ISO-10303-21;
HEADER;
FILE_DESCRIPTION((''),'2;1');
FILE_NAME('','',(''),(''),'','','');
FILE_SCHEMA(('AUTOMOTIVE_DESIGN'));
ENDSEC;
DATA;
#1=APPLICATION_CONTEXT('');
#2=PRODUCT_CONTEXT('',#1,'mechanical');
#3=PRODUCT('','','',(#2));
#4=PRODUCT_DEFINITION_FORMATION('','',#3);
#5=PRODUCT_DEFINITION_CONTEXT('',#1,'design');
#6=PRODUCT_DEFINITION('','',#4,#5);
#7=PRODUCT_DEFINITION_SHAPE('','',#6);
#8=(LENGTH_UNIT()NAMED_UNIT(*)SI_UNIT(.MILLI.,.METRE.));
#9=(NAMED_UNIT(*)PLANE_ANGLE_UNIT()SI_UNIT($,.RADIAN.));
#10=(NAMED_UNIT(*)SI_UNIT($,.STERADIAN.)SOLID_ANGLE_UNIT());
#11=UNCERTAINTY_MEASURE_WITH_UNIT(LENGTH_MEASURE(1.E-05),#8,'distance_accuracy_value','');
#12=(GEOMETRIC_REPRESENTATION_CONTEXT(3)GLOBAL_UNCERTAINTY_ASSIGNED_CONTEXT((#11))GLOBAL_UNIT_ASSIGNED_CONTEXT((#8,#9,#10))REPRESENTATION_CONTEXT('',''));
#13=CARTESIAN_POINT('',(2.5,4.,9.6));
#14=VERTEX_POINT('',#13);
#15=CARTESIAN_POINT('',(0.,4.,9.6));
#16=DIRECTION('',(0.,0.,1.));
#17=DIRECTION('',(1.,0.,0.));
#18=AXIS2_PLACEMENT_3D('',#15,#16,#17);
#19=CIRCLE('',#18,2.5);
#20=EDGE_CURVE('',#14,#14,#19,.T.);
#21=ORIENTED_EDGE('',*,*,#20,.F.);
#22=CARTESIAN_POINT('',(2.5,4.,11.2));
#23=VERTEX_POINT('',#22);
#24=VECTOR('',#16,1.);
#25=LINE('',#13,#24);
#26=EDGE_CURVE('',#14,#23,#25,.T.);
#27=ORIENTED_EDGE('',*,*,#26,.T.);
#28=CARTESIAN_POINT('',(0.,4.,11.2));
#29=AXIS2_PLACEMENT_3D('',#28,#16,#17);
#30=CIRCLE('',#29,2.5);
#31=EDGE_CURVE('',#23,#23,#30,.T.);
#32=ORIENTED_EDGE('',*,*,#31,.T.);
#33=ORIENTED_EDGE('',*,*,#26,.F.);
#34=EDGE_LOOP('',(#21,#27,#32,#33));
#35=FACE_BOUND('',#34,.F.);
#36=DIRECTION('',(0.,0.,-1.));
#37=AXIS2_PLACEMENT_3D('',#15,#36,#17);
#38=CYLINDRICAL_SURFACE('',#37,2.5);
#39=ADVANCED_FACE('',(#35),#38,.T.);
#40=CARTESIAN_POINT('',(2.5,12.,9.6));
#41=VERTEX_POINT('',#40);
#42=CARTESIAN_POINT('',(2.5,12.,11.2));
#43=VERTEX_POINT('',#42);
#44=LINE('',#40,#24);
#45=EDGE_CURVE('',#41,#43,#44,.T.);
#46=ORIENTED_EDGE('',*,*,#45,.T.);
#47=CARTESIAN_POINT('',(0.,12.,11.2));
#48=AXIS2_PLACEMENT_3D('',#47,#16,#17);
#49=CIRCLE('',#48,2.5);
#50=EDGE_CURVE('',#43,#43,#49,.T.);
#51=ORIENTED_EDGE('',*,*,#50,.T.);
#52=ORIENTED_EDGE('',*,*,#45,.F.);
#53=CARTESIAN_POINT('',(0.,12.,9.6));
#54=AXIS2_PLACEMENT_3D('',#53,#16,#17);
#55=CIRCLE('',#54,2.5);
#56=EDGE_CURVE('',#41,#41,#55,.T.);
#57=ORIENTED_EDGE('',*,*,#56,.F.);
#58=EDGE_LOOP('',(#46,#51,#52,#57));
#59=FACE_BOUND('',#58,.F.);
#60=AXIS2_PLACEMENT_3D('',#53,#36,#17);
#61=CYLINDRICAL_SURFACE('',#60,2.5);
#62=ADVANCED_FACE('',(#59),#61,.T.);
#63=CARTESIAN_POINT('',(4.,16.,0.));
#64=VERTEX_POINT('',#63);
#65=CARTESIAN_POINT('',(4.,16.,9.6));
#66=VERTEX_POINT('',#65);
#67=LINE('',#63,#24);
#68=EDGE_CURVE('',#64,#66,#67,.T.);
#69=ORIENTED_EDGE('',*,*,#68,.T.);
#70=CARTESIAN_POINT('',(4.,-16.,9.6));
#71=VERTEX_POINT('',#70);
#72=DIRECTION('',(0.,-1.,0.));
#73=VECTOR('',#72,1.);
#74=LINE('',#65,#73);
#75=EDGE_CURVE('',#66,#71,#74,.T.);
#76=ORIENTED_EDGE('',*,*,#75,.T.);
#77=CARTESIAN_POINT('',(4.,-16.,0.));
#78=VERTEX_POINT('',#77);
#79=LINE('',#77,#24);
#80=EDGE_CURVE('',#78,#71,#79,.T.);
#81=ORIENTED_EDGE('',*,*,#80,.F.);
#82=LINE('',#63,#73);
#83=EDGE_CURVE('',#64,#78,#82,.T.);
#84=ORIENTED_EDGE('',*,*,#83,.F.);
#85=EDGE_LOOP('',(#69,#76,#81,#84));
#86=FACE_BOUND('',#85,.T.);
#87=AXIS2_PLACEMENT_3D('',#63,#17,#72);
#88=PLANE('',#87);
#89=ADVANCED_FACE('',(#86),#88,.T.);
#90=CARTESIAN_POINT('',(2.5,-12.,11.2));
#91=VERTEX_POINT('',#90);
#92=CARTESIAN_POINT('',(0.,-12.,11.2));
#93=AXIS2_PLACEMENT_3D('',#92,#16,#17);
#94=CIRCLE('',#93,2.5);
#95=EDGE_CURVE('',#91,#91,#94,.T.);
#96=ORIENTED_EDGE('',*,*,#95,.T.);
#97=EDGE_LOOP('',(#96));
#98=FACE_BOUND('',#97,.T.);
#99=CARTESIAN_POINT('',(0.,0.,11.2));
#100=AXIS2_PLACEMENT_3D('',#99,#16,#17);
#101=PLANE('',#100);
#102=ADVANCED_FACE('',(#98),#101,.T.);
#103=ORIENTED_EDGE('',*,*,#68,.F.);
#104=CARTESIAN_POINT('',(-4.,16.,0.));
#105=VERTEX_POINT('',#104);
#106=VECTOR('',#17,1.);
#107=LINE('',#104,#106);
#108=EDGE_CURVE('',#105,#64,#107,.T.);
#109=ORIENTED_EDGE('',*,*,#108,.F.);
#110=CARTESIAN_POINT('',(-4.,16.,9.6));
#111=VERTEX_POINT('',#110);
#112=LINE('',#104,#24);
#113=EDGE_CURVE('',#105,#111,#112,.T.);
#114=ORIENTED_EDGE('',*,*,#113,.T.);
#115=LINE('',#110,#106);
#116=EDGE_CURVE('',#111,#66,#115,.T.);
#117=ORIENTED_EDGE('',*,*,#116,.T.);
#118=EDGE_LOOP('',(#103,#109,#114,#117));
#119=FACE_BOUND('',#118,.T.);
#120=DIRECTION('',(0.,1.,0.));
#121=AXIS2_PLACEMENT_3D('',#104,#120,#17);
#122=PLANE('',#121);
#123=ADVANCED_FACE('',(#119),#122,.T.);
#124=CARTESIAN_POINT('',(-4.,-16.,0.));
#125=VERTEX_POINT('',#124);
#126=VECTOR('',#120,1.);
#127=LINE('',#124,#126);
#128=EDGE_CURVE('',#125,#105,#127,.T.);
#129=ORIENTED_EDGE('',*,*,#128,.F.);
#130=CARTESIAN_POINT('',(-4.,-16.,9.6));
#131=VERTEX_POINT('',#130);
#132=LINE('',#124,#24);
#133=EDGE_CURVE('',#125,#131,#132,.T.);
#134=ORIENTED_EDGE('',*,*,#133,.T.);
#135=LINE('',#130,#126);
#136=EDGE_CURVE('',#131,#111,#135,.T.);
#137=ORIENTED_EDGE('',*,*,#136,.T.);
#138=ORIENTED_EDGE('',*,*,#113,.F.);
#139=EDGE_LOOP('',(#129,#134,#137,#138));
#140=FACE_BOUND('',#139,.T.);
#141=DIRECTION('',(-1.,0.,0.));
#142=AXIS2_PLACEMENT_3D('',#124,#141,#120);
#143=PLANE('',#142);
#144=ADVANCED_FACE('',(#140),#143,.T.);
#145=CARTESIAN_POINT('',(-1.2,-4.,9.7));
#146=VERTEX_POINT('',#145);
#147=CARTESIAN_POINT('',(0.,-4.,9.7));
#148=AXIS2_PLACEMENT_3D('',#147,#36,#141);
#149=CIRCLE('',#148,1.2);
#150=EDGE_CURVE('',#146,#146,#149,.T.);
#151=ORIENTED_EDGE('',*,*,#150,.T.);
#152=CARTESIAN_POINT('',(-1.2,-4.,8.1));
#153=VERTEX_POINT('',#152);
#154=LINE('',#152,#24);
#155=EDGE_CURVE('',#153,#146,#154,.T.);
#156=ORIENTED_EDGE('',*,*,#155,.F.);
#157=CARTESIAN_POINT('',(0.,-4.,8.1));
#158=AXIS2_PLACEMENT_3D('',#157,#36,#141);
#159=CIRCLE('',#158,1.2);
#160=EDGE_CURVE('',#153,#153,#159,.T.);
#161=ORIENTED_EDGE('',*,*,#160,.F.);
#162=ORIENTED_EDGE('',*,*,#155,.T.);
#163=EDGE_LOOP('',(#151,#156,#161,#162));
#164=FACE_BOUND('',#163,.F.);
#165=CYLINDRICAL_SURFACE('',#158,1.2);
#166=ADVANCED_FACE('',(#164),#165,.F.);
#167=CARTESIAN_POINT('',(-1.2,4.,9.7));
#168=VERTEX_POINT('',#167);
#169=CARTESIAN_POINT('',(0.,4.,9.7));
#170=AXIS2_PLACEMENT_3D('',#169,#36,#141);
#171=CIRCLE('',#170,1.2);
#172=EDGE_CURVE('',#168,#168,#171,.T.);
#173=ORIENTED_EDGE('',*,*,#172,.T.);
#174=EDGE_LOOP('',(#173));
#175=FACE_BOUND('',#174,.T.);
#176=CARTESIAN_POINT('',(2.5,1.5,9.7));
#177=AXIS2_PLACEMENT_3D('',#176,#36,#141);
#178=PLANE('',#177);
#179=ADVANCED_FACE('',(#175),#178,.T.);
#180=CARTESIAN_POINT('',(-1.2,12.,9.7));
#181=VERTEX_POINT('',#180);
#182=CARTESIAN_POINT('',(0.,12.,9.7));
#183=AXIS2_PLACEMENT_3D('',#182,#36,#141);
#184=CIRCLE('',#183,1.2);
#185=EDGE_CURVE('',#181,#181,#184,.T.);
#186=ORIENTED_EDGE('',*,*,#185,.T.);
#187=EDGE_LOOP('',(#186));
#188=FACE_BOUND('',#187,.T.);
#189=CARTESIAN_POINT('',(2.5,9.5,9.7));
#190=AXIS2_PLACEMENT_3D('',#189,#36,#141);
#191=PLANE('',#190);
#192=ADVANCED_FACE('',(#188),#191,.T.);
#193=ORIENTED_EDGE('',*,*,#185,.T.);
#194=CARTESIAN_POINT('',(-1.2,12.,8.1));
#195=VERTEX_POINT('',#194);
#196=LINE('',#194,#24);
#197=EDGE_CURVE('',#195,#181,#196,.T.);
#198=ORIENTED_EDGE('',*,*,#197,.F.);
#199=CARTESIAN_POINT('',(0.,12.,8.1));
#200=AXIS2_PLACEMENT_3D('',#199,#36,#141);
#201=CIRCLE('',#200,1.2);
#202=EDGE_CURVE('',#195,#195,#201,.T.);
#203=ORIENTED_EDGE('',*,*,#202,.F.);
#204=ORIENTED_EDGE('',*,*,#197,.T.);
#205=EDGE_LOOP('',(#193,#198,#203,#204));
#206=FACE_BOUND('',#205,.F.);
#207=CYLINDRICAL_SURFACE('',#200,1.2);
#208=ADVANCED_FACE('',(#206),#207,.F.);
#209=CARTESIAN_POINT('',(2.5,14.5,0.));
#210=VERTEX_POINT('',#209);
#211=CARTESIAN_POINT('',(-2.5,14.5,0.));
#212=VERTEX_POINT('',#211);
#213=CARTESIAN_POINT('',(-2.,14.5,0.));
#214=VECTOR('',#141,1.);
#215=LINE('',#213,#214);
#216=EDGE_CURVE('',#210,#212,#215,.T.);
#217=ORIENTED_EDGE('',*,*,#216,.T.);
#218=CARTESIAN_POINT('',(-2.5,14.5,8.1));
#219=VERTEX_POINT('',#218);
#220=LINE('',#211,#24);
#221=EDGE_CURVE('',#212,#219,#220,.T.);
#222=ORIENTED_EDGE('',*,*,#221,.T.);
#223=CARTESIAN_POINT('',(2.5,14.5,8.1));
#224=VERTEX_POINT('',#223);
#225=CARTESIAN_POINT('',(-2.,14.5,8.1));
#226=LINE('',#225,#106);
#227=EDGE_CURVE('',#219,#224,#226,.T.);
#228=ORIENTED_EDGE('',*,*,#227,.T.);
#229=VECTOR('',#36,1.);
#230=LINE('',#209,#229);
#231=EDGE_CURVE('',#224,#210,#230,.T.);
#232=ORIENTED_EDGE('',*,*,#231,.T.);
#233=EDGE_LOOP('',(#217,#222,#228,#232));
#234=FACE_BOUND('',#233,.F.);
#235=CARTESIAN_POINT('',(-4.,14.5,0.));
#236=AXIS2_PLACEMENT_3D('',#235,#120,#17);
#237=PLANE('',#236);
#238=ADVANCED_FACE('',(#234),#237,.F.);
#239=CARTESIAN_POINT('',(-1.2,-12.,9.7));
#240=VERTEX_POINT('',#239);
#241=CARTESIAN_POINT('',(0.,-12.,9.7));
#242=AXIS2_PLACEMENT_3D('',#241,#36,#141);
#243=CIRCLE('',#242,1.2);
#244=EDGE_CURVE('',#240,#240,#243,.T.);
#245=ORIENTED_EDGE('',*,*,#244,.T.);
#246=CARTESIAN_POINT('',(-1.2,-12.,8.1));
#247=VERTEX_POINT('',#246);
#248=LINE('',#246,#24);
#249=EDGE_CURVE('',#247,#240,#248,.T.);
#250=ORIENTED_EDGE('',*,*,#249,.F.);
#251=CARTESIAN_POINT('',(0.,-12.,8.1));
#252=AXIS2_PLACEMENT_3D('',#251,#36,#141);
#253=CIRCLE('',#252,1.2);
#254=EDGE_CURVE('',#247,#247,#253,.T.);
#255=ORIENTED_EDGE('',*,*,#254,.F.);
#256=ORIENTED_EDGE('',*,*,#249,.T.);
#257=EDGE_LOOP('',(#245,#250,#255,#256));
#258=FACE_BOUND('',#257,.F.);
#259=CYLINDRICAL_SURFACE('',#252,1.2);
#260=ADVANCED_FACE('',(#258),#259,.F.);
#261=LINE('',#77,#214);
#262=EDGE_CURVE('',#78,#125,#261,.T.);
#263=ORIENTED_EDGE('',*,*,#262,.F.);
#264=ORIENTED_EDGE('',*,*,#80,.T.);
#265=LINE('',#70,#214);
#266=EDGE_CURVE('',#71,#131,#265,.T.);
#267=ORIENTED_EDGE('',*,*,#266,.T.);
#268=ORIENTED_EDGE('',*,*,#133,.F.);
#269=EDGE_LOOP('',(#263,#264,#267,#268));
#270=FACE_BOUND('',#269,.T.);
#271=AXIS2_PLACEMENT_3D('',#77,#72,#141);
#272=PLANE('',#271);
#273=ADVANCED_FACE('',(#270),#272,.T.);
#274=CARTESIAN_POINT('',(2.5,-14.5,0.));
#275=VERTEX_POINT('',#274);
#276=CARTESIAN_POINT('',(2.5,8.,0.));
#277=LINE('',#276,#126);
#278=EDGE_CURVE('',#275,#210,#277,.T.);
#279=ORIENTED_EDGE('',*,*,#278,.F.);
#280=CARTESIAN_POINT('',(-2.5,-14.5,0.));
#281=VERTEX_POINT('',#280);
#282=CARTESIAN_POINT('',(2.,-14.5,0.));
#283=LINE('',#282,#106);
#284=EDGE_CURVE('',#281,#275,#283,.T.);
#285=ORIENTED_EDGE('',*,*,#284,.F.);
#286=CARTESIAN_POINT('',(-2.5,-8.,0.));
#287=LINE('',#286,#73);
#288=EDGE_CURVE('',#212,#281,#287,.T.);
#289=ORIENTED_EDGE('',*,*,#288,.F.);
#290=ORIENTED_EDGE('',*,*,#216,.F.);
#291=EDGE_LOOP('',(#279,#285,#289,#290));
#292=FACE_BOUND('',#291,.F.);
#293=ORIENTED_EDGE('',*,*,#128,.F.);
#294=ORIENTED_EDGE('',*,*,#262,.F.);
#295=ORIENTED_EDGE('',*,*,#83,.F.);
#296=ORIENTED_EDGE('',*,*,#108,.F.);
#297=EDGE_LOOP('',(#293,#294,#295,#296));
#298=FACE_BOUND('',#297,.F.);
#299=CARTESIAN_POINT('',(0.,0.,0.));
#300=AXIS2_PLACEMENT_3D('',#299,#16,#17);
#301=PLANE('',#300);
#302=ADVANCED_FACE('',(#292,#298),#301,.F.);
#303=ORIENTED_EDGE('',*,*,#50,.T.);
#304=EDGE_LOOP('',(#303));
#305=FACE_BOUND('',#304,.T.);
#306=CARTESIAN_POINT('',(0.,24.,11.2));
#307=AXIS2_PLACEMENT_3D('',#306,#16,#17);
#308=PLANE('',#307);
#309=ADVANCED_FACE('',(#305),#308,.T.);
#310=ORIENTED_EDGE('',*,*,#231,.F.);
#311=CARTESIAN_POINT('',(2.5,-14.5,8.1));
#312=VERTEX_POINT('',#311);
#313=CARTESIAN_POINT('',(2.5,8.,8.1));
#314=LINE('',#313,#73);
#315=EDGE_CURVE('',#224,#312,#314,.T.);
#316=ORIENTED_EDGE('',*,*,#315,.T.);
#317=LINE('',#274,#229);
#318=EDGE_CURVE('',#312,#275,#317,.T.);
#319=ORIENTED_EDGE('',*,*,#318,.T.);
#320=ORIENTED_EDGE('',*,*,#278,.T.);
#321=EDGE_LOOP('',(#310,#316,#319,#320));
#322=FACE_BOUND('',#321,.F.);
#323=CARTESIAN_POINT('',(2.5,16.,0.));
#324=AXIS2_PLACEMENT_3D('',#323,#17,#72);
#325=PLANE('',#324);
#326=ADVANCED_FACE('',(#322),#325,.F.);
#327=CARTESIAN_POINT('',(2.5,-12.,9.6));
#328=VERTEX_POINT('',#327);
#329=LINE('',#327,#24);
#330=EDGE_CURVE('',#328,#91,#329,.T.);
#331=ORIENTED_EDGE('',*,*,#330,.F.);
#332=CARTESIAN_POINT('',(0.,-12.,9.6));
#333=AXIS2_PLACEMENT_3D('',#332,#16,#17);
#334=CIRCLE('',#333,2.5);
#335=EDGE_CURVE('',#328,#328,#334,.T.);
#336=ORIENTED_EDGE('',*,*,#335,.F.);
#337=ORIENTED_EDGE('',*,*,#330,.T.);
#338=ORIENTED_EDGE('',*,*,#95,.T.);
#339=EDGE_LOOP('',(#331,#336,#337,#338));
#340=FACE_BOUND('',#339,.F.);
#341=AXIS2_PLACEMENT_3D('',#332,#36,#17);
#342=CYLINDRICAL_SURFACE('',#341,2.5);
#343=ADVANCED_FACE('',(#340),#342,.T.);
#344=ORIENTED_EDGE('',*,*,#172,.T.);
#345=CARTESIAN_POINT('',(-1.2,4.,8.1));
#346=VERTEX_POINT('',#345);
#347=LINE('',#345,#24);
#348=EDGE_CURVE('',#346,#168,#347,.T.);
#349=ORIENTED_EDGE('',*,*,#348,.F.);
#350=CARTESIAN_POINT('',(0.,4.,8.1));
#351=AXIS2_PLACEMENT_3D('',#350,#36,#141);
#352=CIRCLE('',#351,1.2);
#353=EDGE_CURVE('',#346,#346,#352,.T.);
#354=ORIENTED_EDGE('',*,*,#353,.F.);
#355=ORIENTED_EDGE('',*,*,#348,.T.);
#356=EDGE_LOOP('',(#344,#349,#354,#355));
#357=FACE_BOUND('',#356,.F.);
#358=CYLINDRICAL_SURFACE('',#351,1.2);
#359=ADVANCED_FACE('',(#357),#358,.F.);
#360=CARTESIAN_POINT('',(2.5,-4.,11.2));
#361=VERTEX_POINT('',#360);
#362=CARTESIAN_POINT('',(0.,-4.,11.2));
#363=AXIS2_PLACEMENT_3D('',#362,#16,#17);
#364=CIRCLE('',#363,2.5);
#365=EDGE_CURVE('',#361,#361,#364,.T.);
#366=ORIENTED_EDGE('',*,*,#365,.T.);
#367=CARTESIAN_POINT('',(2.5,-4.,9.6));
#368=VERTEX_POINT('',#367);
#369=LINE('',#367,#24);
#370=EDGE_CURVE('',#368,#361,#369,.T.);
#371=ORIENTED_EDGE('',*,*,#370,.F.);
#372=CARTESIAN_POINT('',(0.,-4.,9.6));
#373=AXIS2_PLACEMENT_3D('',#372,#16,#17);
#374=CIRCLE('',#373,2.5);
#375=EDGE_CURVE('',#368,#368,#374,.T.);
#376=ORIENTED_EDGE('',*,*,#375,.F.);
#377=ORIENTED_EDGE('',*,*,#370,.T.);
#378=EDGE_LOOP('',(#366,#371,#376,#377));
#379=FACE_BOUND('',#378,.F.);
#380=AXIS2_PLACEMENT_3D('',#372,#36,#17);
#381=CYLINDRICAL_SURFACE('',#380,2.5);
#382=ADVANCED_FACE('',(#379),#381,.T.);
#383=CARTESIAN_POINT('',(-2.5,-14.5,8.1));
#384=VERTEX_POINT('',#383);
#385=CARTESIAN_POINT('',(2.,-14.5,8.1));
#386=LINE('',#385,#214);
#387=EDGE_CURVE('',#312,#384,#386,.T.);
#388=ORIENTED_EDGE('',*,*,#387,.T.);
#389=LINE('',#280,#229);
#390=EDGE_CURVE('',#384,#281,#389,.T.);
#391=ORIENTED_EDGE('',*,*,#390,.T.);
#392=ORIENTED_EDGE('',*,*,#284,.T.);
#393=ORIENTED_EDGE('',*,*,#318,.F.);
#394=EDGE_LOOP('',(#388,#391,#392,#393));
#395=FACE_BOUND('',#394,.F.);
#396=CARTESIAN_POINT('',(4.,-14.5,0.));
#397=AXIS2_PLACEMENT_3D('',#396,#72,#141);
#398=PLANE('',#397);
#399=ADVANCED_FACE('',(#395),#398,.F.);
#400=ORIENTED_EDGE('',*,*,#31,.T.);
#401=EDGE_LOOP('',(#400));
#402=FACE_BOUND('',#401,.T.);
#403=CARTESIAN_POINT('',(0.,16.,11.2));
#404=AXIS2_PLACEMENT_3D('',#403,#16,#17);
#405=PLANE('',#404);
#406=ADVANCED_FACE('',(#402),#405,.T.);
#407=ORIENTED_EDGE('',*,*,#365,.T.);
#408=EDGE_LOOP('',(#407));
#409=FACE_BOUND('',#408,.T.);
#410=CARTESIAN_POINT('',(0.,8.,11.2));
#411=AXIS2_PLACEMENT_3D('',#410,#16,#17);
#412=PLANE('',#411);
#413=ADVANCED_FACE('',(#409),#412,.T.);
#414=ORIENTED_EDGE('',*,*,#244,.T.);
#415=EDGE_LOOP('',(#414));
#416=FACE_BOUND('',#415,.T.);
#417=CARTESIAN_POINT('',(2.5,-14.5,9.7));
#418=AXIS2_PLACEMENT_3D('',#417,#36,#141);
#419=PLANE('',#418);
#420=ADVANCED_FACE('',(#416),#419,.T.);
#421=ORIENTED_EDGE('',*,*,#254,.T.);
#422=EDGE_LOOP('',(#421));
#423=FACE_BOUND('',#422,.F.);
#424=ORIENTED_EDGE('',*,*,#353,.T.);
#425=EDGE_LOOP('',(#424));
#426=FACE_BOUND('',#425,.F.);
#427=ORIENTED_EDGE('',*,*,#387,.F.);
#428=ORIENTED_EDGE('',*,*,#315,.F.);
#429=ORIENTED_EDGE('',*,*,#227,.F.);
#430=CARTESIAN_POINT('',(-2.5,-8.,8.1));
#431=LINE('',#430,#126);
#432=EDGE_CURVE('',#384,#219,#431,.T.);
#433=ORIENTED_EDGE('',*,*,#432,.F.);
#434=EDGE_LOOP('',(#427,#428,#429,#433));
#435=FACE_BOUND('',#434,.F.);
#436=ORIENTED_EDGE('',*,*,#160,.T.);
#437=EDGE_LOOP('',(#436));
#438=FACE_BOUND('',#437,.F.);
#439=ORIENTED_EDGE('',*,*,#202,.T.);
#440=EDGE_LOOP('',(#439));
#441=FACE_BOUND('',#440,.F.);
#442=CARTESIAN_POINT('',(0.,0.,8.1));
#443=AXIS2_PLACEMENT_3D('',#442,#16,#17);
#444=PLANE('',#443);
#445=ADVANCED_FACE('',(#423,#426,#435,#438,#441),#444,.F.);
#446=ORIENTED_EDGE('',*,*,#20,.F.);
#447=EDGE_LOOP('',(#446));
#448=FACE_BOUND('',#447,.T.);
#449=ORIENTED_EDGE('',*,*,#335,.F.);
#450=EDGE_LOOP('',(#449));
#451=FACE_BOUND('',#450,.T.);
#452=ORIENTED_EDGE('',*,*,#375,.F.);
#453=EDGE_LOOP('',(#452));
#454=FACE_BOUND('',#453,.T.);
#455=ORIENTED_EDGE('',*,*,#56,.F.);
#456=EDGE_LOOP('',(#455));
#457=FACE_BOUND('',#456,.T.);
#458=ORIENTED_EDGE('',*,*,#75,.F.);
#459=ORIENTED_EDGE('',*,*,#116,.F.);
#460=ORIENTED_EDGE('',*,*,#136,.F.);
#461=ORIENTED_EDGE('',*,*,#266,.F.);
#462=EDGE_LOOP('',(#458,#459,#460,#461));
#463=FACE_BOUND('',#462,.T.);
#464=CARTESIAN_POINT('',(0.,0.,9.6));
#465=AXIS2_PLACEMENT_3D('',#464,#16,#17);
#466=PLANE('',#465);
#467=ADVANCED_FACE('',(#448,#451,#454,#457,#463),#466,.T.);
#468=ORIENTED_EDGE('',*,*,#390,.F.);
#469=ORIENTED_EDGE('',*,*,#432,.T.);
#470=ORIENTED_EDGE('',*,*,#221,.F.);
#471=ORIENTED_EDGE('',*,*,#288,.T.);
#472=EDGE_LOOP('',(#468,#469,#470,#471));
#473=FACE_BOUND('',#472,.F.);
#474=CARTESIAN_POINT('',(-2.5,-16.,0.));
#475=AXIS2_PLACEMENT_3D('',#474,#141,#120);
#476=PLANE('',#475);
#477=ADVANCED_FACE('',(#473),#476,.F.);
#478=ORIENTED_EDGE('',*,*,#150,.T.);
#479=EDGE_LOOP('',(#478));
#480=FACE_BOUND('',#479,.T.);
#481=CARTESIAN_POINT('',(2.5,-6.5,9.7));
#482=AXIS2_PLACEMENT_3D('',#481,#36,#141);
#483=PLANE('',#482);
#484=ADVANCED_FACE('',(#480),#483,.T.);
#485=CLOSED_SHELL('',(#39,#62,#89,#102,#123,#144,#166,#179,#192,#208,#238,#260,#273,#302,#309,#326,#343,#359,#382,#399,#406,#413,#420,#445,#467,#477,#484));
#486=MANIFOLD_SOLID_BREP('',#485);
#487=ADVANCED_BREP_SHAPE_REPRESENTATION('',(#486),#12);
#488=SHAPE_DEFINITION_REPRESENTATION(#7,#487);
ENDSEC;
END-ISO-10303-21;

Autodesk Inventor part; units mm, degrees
ref_plane "YZ Plane" through (0, 0, 0) normal (1, 0, 0) x (0, 1, 0)
ref_plane "XZ Plane" through (0, 0, 0) normal (0, 1, 0) x (-1, 0, 0)
ref_plane "XY Plane" through (0, 0, 0) normal (0, 0, 1) x (1, 0, 0)
sketch "Sketch1" plane through (0, 0, 0) normal (0, 0, 1) x (1, 0, 0)
  line L0 (-4, 16) -> (4, 16)
  line L1 (4, 16) -> (4, -16)
  line L2 (4, -16) -> (-4, -16)
  line L3 (-4, -16) -> (-4, 16)
  point P0 (0, 0)
  dimension "d0" = 8
  dimension "d1" = 32
  dimension "d2" = 4
  dimension "d3" = 16
extrude "Extrusion1" add sketch "Sketch1" along normal blind 9.6
shell "Shell1" thickness 1.5 removed faces 1 at (-1.3333, 5.3333, 0)
sketch "Sketch2" plane through (0, 0, 9.6) normal (0, 0, 1) x (1, 0, 0)
  circle A0 centre (0, -12) radius 2.5
  line L0 (4, 16) -> (4, -16) projected
  line L1 (4, -16) -> (-4, -16) projected
  dimension "d7" = 5
  dimension "d10" = 4
  dimension "d11" = 4
extrude "Extrusion2" add sketch "Sketch2" along normal blind 1.6
sketch "Sketch3" plane through (2.5, -14.5, 8.1) normal (0, 0, -1) x (-1, 0, 0)
  circle A0 centre (2.5, 2.5) radius 2.5 projected
  circle A1 centre (2.5, 2.5) radius 1.2
  point P0 (2.5, 14.5)
  dimension "d18" = 2.4
extrude "Extrusion3" cut sketch "Sketch3" against normal blind 1.6 contours A1
pattern_linear "Rectangular Pattern1" count 4 spacing 8 along (0, 1, 0) of "Extrusion2", "Extrusion3"
sketch "Sketch4" plane through (2.5, -14.5, 8.1) normal (0, 0, -1) x (-1, 0, 0)
  circle A0 centre (2.5, 10.5) radius 1.2 projected
  circle A1 centre (2.5, 2.5) radius 1.2 projected
  line L0 (0, 29) -> (0, 0) projected
  line L1 (0, 0) -> (5, 0) projected
  circle A2 centre (6.5, 6.5) radius 3.15
  circle A3 centre (6.5, 6.5) radius 2.5
  point P0 (2.5, 14.5)
  dimension "d21" = 6.5
  dimension "d22" = 6.5
  dimension "d23" = 10.5
  dimension "d24" = 2.5
  dimension "d25" = 5
  dimension "d26" = 6.3
extrude "Extrusion4" [suppressed]
pattern_linear "Rectangular Pattern2" [suppressed]
equation "\"d0\" = 8 * WIDTH"
equation "\"d1\" = 8 * LENGTH"
equation "\"d2\" = 0.5 * d0"
equation "\"d3\" = 0.5 * d1"
equation "\"d4\" = HEIGHT"
equation "\"d21\" = 0.5 * d23 + 0.5 * d24"
equation "\"d22\" = d21"
equation "\"WIDTH\" = 1"
equation "\"HEIGHT\" = 9.6"
equation "\"LENGTH\" = 4"
properties part number "3010" material "Steel"
